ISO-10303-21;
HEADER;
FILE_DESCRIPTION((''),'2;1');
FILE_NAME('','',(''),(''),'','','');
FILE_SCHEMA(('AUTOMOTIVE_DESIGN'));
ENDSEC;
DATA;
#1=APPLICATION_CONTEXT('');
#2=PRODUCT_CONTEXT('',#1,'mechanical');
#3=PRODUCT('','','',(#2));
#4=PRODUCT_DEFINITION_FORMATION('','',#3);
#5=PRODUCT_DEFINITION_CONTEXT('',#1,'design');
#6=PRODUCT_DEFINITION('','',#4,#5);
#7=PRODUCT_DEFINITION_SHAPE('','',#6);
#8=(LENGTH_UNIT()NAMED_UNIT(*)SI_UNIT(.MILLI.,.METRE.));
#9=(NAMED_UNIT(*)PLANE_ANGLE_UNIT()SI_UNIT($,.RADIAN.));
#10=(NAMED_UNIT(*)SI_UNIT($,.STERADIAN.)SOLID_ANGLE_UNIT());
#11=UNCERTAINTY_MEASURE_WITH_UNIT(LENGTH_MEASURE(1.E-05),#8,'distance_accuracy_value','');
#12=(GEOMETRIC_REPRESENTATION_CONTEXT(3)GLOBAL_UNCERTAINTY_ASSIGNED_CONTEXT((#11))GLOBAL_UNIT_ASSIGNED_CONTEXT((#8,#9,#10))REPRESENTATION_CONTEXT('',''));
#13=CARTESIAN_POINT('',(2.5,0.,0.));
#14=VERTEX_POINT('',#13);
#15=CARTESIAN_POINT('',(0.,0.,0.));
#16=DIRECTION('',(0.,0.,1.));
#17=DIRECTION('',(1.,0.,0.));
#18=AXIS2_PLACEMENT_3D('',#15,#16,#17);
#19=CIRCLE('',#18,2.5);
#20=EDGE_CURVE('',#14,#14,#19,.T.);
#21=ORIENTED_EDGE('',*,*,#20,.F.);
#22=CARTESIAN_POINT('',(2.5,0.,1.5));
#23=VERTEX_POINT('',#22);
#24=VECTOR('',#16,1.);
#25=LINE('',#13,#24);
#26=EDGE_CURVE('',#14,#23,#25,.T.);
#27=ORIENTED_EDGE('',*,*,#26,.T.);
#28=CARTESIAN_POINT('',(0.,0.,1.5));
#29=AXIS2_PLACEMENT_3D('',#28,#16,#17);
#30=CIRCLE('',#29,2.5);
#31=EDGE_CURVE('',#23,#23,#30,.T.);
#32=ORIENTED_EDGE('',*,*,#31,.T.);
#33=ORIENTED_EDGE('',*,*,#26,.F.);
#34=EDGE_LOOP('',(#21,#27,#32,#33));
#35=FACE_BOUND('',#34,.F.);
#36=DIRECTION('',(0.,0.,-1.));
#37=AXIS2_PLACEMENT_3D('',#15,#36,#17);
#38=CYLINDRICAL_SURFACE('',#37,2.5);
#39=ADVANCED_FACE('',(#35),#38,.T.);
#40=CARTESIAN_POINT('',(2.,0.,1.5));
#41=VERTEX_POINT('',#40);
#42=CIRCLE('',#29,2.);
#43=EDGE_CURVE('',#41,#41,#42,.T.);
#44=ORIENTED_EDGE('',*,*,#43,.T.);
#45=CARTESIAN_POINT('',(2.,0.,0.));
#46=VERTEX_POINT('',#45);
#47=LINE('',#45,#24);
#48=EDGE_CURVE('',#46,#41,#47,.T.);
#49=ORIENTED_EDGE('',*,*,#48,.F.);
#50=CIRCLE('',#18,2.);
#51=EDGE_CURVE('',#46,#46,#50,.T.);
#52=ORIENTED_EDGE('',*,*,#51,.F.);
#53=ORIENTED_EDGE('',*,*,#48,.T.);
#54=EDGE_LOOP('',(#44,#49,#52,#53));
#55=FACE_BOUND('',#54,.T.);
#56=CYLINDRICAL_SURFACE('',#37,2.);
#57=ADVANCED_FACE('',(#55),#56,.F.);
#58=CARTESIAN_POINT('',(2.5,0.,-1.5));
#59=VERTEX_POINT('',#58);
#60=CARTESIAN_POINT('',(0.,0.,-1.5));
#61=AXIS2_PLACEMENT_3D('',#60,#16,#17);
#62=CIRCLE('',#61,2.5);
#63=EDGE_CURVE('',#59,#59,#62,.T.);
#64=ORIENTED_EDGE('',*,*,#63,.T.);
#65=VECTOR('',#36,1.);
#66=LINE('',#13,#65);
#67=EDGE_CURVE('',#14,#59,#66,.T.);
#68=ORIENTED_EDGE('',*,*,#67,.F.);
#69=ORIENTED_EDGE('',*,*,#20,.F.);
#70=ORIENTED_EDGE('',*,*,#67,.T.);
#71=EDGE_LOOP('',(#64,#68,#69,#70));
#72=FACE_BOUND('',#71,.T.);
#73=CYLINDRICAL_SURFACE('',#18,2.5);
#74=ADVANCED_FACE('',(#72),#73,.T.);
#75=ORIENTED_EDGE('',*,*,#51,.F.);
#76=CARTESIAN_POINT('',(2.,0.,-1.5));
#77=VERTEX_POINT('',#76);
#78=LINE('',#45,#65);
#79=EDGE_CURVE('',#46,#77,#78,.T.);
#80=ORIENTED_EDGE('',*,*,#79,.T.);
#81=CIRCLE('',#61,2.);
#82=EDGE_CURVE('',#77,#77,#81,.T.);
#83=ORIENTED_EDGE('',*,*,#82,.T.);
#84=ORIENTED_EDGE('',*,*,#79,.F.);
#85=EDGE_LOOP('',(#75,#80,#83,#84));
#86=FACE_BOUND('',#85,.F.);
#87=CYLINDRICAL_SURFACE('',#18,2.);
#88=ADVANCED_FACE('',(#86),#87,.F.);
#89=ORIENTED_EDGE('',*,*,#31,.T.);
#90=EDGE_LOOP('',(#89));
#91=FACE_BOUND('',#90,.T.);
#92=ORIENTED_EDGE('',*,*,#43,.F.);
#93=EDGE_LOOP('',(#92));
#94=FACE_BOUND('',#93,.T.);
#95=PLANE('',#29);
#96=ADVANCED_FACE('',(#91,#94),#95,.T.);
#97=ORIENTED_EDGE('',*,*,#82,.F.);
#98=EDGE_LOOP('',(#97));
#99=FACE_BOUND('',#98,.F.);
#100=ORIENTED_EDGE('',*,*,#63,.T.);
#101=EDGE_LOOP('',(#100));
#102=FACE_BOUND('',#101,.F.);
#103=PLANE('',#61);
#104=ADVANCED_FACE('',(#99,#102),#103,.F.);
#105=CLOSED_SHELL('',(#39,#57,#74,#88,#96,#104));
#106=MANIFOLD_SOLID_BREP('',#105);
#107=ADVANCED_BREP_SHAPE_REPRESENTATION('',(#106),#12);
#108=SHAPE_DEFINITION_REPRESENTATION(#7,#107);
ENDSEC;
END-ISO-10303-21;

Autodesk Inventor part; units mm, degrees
ref_plane "YZ Plane" through (0, 0, 0) normal (1, 0, 0) x (0, 1, 0)
ref_plane "XZ Plane" through (0, 0, 0) normal (0, 1, 0) x (-1, 0, 0)
ref_plane "XY Plane" through (0, 0, 0) normal (0, 0, 1) x (1, 0, 0)
sketch "Sketch1" plane through (0, 0, 0) normal (0, 0, 1) x (1, 0, 0)
  circle A0 centre (0, 0) radius 2.5
  circle A1 centre (0, 0) radius 2
  dimension "d0" = 5
  dimension "d1" = 4
extrude "Extrusion1" add sketch "Sketch1" along normal mid plane 3
properties part number "15C"
